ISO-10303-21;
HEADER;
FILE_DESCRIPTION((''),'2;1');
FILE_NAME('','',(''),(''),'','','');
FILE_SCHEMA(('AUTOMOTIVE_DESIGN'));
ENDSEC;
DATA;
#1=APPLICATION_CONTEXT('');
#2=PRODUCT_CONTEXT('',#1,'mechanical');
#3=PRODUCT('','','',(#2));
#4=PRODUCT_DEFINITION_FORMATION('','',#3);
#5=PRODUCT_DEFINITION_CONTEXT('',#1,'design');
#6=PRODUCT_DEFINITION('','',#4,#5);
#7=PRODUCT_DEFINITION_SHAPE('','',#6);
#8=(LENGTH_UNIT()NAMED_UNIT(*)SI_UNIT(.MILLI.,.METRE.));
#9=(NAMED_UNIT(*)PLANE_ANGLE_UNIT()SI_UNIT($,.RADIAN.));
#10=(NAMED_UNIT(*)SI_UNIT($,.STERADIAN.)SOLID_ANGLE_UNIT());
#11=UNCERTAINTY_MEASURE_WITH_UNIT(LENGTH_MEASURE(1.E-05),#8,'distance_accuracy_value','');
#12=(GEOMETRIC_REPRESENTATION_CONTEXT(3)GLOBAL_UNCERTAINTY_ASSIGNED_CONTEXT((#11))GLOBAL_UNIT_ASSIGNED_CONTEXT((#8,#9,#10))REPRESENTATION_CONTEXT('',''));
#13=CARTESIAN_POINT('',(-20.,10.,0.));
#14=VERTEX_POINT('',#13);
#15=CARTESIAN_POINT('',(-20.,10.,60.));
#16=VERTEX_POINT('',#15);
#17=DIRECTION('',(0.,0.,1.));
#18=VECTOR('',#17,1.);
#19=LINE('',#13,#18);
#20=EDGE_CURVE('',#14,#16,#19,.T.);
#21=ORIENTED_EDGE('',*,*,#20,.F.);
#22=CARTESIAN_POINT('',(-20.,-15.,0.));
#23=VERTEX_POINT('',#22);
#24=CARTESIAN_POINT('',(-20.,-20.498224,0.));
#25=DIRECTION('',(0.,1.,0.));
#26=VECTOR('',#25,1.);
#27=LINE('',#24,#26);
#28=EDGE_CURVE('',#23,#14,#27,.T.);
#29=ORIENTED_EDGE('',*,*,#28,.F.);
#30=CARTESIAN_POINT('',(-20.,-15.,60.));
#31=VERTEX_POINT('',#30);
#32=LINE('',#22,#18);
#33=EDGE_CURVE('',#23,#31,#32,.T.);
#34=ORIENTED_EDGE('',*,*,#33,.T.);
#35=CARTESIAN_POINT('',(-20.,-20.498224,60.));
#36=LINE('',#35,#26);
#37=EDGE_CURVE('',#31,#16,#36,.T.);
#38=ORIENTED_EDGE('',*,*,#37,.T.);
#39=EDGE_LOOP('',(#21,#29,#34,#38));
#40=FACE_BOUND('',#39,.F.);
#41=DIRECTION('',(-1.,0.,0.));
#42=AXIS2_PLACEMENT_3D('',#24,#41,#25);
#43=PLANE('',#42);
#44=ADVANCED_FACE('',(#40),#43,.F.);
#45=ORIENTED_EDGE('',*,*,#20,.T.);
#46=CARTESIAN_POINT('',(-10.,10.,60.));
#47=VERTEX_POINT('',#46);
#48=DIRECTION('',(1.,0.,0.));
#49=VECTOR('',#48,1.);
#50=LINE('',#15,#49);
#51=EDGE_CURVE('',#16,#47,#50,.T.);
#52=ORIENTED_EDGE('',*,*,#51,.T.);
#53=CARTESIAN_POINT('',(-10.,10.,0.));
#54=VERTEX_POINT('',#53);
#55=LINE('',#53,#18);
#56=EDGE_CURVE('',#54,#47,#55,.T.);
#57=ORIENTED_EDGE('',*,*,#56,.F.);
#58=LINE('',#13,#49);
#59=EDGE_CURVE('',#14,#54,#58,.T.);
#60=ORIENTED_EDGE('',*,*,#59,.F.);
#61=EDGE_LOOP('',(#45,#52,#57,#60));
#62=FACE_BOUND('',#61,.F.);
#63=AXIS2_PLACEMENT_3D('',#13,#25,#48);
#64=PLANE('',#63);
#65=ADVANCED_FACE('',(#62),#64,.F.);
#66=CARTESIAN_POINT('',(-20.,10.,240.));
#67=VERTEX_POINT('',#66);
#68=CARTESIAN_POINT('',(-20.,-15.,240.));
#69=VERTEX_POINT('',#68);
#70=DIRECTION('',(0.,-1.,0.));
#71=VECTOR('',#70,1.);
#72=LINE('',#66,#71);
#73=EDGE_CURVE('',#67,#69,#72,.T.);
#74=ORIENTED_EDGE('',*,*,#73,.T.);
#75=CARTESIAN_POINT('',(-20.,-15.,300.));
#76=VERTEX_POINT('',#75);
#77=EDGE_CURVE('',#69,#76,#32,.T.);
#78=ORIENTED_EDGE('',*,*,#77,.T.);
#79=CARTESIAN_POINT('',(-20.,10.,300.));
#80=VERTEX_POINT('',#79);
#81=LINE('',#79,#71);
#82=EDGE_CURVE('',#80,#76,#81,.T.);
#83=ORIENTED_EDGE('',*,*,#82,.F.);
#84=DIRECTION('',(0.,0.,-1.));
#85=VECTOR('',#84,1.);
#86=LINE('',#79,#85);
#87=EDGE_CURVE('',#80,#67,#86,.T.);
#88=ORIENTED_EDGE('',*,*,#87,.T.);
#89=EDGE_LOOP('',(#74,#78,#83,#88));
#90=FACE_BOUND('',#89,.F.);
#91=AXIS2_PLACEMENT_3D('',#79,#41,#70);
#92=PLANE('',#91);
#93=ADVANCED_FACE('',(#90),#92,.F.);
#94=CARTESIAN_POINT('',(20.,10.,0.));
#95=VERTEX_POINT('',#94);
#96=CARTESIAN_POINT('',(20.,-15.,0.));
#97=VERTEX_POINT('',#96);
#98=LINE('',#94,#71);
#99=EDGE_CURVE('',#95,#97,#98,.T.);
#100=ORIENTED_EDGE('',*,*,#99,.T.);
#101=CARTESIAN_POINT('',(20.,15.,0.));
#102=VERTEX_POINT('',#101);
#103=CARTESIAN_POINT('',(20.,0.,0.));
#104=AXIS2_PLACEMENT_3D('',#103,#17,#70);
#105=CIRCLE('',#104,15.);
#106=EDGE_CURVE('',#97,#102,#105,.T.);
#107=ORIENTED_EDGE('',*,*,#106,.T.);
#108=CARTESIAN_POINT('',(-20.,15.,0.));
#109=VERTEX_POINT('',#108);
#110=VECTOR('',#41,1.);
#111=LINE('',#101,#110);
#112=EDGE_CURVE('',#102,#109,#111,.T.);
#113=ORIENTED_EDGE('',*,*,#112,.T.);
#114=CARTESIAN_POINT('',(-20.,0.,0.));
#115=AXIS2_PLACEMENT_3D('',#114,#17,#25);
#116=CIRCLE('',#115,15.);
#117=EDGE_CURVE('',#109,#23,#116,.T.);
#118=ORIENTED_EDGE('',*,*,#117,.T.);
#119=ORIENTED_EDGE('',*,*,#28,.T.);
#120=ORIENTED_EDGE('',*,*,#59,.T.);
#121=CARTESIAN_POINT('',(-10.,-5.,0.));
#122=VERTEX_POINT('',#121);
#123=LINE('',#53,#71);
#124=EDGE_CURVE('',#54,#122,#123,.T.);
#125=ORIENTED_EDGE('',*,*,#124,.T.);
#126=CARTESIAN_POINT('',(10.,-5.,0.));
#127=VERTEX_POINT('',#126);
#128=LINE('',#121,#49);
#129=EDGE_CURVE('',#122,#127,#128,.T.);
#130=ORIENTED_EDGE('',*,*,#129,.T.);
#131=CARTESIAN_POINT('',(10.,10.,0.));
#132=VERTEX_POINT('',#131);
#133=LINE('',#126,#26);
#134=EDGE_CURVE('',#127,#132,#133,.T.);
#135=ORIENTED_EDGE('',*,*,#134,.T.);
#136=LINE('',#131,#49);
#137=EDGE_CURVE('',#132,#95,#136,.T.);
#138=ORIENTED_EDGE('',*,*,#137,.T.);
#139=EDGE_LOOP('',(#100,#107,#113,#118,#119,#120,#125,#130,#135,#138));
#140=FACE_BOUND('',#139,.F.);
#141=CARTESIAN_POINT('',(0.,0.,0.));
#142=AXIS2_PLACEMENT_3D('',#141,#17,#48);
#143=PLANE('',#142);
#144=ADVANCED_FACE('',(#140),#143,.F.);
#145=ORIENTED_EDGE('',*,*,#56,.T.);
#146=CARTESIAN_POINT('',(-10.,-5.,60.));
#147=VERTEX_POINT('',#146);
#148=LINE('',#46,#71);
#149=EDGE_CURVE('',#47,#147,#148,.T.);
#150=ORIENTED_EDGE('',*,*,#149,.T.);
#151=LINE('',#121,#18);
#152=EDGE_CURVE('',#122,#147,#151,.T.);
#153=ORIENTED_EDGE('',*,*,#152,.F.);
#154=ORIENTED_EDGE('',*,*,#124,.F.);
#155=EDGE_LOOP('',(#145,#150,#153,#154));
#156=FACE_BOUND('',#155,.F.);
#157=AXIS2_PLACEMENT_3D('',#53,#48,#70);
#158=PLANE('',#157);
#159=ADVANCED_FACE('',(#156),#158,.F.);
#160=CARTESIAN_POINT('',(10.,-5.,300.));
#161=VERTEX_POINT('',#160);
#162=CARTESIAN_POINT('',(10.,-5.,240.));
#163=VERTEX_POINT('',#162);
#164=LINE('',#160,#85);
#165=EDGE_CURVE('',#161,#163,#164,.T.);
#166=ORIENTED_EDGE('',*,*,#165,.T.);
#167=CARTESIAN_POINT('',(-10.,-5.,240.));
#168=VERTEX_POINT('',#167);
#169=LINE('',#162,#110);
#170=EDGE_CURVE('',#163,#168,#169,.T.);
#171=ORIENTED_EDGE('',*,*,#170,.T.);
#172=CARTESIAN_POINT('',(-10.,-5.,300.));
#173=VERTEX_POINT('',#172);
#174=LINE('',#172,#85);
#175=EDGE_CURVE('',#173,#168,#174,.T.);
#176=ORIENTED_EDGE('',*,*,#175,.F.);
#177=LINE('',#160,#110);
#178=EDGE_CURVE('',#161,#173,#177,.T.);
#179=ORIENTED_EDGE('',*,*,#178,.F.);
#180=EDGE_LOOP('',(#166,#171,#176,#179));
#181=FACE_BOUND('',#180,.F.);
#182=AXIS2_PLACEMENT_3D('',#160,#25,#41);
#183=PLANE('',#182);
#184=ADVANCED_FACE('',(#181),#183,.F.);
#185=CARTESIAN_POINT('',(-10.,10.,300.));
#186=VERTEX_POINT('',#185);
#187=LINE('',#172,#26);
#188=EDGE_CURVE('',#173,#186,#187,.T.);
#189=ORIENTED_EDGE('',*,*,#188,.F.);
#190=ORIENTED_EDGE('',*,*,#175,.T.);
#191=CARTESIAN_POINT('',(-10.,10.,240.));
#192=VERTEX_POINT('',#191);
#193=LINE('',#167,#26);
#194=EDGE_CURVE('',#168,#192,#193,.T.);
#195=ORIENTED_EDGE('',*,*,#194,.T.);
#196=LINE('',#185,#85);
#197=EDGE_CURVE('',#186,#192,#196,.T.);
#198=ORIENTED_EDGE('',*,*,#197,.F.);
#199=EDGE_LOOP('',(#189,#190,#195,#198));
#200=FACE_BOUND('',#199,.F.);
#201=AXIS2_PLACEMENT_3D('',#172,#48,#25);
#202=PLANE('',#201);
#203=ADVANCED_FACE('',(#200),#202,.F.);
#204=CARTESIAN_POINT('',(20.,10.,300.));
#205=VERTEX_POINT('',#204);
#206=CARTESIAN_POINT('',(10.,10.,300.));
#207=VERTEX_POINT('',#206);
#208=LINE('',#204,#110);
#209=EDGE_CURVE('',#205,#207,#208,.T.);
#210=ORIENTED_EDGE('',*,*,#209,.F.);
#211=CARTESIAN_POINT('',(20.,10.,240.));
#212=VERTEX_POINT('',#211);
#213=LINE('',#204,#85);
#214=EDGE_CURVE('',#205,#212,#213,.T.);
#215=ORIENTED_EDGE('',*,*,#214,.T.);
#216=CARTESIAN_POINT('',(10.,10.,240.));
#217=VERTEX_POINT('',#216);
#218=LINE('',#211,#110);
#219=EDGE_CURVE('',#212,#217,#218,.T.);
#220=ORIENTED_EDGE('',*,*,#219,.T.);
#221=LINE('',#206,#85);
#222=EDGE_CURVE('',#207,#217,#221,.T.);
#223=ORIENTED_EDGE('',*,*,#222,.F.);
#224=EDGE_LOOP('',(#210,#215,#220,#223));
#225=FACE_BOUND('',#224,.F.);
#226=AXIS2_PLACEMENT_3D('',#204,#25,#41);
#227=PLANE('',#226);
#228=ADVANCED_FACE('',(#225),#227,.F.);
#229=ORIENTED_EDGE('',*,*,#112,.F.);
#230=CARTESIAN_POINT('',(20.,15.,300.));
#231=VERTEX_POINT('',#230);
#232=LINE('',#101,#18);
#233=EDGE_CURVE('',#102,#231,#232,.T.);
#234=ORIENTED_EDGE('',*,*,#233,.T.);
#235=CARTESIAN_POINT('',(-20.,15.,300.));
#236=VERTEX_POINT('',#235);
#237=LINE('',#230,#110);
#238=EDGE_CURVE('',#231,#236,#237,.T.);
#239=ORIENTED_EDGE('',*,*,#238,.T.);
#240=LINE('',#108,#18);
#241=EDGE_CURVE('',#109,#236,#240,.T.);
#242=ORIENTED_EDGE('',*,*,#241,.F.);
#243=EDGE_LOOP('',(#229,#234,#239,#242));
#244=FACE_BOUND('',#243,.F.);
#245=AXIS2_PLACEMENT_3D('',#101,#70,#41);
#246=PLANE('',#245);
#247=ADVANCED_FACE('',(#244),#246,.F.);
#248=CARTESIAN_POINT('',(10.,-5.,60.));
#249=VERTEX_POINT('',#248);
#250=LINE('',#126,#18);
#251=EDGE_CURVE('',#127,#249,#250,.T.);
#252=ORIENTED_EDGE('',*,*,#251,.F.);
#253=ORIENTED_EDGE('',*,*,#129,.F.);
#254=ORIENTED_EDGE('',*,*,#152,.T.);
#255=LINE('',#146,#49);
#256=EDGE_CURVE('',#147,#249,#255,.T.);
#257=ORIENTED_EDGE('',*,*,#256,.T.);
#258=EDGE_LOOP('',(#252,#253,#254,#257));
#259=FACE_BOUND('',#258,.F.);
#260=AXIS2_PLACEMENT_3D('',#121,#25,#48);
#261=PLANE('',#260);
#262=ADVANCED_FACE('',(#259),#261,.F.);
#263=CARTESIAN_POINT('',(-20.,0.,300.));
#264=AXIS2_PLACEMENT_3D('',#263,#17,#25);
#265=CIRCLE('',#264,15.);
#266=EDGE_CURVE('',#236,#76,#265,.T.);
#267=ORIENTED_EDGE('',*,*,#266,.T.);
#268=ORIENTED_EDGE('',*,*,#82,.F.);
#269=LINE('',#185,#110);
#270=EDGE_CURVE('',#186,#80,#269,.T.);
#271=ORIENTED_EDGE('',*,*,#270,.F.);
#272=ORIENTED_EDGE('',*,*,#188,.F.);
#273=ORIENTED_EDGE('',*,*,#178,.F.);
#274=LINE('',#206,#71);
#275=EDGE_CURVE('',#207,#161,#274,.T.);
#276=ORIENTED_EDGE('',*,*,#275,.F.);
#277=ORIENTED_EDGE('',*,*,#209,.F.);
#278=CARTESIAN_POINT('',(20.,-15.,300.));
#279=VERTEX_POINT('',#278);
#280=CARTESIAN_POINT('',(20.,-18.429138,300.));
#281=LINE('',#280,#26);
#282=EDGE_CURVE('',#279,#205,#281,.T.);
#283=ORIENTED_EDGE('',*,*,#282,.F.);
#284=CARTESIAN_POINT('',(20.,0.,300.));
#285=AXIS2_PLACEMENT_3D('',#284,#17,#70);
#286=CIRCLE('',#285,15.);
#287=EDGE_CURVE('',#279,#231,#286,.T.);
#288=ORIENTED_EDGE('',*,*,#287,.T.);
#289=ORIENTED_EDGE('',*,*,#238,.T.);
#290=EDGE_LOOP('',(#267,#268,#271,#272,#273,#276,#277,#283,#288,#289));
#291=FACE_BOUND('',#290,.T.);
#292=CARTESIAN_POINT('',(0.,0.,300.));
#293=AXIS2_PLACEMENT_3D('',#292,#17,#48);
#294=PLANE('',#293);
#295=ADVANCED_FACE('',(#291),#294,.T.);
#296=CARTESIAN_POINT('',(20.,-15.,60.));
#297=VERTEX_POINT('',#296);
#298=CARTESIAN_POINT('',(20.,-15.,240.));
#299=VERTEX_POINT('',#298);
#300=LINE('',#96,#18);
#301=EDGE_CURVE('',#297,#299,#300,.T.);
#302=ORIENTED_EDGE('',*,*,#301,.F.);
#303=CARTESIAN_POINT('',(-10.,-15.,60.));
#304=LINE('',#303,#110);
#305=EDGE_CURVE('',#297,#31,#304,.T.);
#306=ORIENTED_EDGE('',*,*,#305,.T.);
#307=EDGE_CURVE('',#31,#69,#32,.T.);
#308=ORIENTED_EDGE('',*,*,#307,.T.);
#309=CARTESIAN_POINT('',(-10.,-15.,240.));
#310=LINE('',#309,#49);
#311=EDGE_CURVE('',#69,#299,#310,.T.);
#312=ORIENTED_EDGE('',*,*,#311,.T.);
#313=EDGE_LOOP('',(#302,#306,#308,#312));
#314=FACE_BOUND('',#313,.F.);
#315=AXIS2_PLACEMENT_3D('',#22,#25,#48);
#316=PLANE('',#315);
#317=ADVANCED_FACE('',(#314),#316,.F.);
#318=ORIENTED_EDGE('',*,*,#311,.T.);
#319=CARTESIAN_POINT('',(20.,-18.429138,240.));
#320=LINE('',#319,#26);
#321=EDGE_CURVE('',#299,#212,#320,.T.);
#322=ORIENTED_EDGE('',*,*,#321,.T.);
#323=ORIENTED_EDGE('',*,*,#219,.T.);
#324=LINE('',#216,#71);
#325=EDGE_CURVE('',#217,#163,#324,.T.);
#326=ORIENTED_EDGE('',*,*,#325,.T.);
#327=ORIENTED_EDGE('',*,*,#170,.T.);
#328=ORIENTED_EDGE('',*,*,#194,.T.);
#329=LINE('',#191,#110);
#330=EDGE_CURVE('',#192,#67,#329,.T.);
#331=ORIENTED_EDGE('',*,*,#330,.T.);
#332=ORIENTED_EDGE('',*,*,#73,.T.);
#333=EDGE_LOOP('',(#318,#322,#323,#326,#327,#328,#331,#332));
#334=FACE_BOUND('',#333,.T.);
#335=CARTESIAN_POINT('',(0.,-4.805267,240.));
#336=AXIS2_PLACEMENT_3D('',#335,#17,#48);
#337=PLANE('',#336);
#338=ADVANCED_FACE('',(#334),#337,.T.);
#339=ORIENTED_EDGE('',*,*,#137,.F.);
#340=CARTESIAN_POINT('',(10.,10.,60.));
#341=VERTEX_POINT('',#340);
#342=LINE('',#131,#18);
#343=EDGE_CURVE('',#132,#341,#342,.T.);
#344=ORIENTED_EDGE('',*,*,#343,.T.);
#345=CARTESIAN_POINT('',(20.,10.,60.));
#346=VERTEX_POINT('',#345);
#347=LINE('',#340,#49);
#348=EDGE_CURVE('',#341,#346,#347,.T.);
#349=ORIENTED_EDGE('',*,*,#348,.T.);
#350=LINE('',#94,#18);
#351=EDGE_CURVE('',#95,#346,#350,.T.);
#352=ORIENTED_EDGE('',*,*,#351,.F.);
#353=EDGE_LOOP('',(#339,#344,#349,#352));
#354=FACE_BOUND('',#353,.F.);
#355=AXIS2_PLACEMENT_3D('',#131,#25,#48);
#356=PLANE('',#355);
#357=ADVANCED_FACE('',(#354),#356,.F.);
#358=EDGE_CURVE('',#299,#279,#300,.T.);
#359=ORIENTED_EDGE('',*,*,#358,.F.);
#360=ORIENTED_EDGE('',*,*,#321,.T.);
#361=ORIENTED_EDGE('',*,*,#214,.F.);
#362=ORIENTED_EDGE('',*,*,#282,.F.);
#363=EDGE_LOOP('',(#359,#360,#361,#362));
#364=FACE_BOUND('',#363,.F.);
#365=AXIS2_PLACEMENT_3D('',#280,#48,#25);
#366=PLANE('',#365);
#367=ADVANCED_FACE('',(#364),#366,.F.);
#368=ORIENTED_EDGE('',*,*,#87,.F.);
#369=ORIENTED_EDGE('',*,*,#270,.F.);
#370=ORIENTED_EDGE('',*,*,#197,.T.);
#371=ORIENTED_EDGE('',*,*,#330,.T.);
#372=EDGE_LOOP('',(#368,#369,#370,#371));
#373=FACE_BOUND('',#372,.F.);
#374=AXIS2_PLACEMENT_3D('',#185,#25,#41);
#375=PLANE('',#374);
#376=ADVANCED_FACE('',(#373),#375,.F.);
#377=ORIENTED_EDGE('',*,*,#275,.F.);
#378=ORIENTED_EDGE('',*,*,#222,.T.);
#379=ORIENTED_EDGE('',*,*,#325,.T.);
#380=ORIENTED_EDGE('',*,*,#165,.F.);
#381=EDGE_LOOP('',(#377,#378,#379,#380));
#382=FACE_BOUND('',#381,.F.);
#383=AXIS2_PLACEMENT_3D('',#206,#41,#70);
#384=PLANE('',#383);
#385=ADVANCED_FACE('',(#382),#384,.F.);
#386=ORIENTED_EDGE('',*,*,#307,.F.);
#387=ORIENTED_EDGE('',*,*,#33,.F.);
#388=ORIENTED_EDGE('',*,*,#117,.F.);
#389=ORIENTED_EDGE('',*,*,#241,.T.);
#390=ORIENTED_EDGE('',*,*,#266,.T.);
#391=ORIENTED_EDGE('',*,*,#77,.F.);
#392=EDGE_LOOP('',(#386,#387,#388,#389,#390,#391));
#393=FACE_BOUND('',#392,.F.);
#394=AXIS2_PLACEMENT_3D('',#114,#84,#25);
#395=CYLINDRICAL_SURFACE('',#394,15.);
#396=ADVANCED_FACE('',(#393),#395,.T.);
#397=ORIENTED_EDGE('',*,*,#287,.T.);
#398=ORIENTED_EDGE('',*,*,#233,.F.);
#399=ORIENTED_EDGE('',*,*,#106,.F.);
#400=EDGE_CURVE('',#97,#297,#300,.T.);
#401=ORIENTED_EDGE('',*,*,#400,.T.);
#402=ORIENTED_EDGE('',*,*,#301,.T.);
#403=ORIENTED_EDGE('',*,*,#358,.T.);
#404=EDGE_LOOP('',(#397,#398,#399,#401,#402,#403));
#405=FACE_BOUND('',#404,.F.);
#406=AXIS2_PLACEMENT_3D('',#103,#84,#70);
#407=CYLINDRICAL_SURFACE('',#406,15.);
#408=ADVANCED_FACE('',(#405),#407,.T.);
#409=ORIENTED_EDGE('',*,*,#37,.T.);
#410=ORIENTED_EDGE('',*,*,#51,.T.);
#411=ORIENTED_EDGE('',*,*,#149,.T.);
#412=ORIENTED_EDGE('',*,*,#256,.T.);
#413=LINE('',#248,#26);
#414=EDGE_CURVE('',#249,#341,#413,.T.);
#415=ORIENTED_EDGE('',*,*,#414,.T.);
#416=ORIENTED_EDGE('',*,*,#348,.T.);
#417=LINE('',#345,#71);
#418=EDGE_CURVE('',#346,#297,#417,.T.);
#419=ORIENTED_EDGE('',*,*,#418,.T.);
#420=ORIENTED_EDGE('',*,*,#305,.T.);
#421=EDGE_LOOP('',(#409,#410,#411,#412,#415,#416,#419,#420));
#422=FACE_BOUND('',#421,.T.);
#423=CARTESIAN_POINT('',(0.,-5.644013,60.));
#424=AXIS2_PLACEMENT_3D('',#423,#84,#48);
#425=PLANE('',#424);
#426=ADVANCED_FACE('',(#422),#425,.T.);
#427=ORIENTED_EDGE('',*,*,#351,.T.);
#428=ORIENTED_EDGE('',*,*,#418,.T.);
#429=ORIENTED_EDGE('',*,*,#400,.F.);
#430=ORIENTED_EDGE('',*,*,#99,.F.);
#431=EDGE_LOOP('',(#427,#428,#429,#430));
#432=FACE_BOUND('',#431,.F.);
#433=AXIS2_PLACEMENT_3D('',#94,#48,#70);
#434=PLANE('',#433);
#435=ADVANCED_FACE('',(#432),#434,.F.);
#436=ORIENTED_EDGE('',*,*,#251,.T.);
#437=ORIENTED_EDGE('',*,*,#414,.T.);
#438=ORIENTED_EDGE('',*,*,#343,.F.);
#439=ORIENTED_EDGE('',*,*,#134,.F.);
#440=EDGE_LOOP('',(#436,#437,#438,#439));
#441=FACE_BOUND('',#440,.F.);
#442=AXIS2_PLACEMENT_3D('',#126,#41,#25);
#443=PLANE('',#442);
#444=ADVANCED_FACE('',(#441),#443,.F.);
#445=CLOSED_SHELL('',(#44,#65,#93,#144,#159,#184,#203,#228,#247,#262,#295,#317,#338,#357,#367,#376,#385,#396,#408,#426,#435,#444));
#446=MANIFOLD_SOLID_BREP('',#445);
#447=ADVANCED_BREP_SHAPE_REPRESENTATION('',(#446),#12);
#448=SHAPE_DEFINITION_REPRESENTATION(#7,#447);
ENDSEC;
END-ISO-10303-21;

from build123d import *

# Parameters (mm, degrees)
F1_DEPTH = 300
F3_DEPTH = 60
F5_DEPTH = 60


with BuildPart() as f1:
    # F0 (on Top) → F1 (new body)
    with BuildSketch(Plane.XY):
        with BuildLine():
            Line((20, 15), (0, 15))
            Line((0, 15), (-20, 15))
            ThreePointArc((-20, 15), (-35, 0), (-20, -15))
            Line((-20, -15), (0, -15))
            Line((0, -15), (20, -15))
            ThreePointArc((20, -15), (35, 0), (20, 15))
        make_face()
    extrude(amount=F1_DEPTH)

    # F2 (on face) → F3 (cut)
    with BuildSketch(Plane.XY.offset(300)):
        Polygon((-10, 10), (-20, 10), (-20, -18.429138), (0, -18.429138), (20, -18.429138), (20, 10), (10, 10), (10, -5), (0, -5), (-10, -5), align=None)
    extrude(amount=-F3_DEPTH, mode=Mode.SUBTRACT)

    # F4 (on face) → F5 (cut)
    with BuildSketch(Plane(origin=(0, 0, 0), x_dir=(1, 0, 0), z_dir=(0, 0, -1))):
        Polygon((10, -10), (20, -10), (20, 20.498224), (0, 20.498224), (-20, 20.498224), (-20, -10), (-10, -10), (-10, 5), (0, 5), (10, 5), align=None)
    extrude(amount=-F5_DEPTH, mode=Mode.SUBTRACT)


solid = f1.part
